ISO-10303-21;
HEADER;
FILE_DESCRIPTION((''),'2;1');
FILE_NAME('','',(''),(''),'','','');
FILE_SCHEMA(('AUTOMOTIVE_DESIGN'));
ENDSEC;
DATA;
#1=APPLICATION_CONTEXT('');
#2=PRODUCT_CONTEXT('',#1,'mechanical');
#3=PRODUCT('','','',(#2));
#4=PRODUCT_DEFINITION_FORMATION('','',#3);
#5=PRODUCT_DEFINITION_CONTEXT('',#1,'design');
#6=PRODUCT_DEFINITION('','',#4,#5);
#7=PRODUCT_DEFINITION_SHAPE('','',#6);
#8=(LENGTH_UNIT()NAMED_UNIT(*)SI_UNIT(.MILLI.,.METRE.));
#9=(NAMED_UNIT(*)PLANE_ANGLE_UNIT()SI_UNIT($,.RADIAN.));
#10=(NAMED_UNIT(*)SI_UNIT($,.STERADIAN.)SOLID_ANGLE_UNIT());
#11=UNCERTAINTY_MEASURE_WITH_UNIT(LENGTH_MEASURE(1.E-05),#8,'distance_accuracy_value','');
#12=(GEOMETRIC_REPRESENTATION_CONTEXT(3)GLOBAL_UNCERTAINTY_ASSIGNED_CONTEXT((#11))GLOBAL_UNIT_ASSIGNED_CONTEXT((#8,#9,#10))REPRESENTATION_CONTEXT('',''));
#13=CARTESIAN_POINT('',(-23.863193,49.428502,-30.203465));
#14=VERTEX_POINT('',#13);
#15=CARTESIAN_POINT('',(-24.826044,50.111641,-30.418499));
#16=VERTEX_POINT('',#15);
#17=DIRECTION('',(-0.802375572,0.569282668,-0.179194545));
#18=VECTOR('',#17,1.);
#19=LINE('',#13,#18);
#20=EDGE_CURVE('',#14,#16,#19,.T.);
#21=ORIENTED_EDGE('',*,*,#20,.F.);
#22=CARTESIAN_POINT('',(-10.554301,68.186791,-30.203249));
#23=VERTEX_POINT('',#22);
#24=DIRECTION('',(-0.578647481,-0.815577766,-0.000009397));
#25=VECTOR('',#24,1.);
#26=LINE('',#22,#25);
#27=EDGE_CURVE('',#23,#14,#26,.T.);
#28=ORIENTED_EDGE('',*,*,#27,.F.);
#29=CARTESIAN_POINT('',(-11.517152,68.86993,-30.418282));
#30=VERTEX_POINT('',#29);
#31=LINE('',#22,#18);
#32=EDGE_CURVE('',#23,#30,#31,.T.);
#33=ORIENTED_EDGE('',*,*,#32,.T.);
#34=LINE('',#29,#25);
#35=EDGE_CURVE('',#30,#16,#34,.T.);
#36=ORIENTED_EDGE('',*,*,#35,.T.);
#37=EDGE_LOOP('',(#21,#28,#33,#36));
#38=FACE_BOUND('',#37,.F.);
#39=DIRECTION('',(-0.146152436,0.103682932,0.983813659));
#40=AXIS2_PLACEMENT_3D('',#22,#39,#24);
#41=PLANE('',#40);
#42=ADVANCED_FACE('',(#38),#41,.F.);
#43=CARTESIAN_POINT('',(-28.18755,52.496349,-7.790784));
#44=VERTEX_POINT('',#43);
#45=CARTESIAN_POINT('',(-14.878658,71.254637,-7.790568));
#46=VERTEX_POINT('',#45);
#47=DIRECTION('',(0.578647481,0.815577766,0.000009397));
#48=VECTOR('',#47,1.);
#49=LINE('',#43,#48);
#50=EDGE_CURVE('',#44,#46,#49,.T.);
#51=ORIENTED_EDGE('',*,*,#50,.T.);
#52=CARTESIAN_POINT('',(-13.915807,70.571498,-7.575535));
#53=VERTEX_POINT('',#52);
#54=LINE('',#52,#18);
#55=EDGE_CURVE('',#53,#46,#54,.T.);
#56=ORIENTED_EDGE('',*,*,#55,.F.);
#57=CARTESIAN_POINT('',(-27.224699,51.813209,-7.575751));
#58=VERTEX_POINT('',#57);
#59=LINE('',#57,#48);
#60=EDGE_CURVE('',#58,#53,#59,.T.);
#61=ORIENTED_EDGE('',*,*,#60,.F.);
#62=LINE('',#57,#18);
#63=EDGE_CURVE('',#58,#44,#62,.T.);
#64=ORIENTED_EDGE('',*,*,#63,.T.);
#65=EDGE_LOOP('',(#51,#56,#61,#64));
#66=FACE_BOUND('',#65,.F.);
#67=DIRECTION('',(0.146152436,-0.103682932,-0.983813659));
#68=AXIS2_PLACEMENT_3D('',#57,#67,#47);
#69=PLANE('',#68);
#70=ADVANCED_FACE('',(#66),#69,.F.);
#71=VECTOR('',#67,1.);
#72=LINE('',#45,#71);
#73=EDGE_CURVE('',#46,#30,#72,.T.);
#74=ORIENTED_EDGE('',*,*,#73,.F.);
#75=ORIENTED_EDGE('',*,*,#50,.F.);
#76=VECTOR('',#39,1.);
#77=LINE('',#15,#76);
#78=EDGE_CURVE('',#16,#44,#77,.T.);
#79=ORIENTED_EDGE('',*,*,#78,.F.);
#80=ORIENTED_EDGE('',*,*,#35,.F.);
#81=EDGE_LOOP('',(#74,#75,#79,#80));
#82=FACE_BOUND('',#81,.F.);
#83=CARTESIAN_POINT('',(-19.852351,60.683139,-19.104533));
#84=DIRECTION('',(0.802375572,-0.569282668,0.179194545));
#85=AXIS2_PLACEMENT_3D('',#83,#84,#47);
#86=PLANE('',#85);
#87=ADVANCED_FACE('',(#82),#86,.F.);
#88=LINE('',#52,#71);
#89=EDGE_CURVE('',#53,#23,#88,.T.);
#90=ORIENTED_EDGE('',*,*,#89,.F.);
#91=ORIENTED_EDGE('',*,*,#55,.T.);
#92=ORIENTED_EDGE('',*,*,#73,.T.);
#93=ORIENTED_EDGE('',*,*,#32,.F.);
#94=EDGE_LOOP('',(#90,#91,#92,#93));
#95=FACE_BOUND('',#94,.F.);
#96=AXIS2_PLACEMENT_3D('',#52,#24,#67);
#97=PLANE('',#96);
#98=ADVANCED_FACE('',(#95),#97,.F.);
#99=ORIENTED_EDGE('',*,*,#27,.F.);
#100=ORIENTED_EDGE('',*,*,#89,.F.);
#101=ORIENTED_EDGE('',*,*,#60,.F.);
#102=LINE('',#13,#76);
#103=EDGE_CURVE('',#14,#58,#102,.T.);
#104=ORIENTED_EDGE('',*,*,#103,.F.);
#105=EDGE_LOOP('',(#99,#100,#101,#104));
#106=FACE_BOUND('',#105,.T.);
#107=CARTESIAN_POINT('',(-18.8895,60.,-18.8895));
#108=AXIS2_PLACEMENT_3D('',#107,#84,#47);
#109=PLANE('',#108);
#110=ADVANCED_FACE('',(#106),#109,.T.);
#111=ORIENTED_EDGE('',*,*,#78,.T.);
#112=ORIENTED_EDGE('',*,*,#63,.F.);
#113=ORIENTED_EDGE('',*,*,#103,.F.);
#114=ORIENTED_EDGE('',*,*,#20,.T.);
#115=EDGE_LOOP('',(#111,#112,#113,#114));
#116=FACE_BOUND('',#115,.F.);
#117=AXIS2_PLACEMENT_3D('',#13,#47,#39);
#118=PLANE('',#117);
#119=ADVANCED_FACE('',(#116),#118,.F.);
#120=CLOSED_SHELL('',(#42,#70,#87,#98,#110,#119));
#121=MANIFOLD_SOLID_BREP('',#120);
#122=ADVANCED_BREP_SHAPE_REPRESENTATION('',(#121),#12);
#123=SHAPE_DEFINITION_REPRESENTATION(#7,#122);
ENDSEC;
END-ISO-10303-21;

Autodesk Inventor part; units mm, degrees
ref_plane "YZ Plane" through (0, 0, 0) normal (1, 0, 0) x (0, 1, 0)
sketch "Szkic1" plane through (0, 0, 0) normal (0, 1, 0) x (-1, 0, 0)
  line L0 (5.5, -4) -> (-5.5, -4)
  line L1 (-5.5, -4) -> (-5.5, 4)
  line L2 (-5.5, 4) -> (5.5, 4)
  line L3 (5.5, 4) -> (5.5, -4)
  line L4 (5.5, -4) -> (-5.5, 4) construction
  line L5 (13.1739, -13.1739) -> (-22.2043, 22.2043) construction
  point P0 (0, 0)
  dimension "d0" = 11
  dimension "d1" = 8
  dimension "d2" = 45
ref_plane "Płaszczyzna konstrukcyjna1" through (-13.1739, 0, -13.1739) normal (-0.7071, 0, 0.7071) x (0.7071, 0, 0.7071)
sketch "Szkic2" plane through (-13.1739, 0, -13.1739) normal (-0.7071, 0, 0.7071) x (0.7071, 0, 0.7071)
  line L0 (18.6307, 0) -> (10.6505, 17.9239) construction
  line L1 (18.6307, -12) -> (18.6307, 72) construction
  dimension "d3" = 24
ref_plane "Płaszczyzna konstrukcyjna2" through (0, 60, 0) normal (0, 1, 0) x (-1, 0, 0)
sketch "Szkic3" plane through (0, 60, 0) normal (0, 1, 0) x (-1, 0, 0)
  line L0 (-34.8726, 34.8726) -> (27.8498, -27.8498) construction
  point P0 (0, 0)
ref_plane "Płaszczyzna konstrukcyjna3" through (-18.8895, 60, -18.8895) normal (0, 0.3003, 0.9538) x (1, 0, 0)
sketch "Szkic5" plane through (-18.8895, 60, -18.8895) normal (0, 0.3003, 0.9538) x (1, 0, 0)
  line L0 (-9.7019, 0) -> (58.2115, 0) projected
  line L1 (27.8115, -92.6142) -> (-4.6352, 15.4357) projected
  line L2 (0, 0) -> (48.5096, -36.0825) construction
  point P0 (18.8895, -62.9032)
  dimension "d5" = 36.643
  dimension "d6" = 73.285
sketch "Szkic6" plane through (0, 60, 0) normal (0, 1, 0) x (-1, 0, 0)
  line L0 (-5.5, 4) -> (5.5, 4) projected
  line L1 (-5.5, -4) -> (-5.5, 4) projected
  line L2 (5.5, 4) -> (5.5, -4) projected
  line L3 (5.5, -4) -> (-5.5, -4) projected
  point P0 (0, 0)
ref_plane "Płaszczyzna konstrukcyjna4" through (-18.8895, 60, -18.8895) normal (0.8024, -0.5693, 0.1792) x (0.5786, 0.8156, 0)
sketch "Szkic7" plane through (-18.8895, 60, -18.8895) normal (0.8024, -0.5693, 0.1792) x (0.5786, 0.8156, 0)
  line L0 (11.5, -11.5) -> (-11.5, -11.5)
  line L1 (-11.5, -11.5) -> (-11.5, 11.5)
  line L2 (-11.5, 11.5) -> (11.5, 11.5)
  line L3 (11.5, 11.5) -> (11.5, -11.5)
  point P0 (-38.0044, 9.6002)
  point P1 (0, 0)
  point P2 (0, -11.5)
  point P3 (-11.5, 0)
  dimension "d7" = 23
  dimension "d8" = 23
extrude "Wyciągnięcie proste1" add sketch "Szkic7" against normal blind 1.2
equation "\"d5\" = 0.5 * d6"
properties part number "wyliczenia"
